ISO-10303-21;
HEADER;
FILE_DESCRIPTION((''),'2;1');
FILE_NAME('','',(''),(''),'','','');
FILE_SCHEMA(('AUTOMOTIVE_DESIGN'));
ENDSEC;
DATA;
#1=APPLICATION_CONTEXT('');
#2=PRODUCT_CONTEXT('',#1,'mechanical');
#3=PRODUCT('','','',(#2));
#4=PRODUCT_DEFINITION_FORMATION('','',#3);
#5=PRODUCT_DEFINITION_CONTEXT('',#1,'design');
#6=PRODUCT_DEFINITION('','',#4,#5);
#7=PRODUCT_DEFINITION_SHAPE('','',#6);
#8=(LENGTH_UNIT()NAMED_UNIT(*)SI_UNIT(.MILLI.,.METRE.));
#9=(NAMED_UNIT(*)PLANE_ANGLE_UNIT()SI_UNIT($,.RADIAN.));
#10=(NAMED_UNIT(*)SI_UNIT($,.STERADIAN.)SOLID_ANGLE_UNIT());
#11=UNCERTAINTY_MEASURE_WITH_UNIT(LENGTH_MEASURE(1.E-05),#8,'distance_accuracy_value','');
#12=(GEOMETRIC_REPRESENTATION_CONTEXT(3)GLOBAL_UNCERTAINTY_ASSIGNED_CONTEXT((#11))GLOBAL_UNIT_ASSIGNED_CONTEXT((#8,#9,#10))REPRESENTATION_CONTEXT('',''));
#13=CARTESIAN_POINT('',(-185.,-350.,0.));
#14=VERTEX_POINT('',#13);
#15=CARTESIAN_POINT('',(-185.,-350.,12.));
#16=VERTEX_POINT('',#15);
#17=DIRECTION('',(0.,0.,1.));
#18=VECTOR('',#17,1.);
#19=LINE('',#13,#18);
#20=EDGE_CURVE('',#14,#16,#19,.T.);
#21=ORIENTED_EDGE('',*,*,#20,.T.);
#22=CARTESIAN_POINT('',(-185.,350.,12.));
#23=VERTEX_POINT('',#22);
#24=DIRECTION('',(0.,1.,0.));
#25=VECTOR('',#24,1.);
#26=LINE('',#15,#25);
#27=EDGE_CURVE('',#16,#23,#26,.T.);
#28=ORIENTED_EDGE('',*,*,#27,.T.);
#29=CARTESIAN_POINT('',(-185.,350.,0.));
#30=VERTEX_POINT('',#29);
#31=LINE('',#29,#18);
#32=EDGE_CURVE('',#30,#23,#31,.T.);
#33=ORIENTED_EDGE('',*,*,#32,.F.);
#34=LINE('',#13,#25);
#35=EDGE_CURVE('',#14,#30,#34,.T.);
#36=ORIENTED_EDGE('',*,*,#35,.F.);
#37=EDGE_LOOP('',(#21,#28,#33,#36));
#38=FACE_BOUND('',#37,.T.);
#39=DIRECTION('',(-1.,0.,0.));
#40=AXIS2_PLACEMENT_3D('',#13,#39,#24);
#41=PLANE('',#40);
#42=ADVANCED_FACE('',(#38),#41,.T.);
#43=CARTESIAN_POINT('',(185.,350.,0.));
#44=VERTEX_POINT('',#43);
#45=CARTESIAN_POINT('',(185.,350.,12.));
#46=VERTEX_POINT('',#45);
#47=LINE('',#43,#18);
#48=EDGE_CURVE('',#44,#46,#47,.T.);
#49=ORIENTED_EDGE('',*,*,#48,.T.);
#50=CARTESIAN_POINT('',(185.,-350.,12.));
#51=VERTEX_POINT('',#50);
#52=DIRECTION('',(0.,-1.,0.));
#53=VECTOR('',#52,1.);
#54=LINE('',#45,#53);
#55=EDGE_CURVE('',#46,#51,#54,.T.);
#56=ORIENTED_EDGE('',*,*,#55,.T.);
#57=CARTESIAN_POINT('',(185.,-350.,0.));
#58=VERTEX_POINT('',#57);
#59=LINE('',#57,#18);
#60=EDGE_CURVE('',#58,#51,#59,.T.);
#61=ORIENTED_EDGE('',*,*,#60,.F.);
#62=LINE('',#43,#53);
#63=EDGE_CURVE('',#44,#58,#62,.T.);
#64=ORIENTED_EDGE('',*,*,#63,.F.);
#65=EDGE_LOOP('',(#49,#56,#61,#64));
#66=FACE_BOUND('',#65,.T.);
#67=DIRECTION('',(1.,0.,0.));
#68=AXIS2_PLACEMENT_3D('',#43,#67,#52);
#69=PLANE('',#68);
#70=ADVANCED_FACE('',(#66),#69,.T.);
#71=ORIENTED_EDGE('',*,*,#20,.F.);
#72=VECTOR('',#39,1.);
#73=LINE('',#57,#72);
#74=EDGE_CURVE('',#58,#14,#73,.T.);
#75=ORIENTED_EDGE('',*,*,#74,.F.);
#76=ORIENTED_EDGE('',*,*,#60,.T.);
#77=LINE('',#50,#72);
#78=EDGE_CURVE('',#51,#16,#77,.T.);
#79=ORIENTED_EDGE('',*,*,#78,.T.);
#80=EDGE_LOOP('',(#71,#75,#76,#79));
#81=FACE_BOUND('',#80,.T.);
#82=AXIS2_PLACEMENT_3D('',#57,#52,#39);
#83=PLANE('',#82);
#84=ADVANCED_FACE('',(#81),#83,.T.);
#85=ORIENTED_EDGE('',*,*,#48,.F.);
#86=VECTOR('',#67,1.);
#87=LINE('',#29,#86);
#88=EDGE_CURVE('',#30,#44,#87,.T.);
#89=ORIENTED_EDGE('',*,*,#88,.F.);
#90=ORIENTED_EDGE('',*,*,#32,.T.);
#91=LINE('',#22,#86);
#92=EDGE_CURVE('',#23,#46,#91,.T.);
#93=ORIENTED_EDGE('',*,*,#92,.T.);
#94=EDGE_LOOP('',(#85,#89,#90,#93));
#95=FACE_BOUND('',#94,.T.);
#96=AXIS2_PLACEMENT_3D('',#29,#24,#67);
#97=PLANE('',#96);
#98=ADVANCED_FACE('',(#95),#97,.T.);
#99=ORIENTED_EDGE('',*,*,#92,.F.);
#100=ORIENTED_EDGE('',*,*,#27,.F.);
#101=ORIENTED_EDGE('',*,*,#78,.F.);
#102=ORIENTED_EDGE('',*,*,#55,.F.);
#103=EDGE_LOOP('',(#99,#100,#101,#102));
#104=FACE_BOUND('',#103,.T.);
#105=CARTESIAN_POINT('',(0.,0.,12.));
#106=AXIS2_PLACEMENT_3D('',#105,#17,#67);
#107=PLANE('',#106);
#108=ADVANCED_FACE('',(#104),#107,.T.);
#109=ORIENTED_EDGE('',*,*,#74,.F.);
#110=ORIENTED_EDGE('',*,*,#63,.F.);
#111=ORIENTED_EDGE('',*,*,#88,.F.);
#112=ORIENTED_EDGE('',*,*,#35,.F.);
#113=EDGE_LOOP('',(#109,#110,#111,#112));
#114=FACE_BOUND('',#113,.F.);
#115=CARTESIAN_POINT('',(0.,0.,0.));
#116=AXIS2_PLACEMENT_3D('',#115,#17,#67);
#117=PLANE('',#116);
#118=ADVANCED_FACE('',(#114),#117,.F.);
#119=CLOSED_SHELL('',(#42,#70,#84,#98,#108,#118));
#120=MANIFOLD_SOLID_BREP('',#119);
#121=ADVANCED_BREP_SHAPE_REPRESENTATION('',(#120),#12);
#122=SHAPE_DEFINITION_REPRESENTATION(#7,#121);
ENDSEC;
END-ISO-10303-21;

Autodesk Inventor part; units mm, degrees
ref_plane "YZ Plane" through (0, 0, 0) normal (1, 0, 0) x (0, 1, 0)
ref_plane "XZ Plane" through (0, 0, 0) normal (0, 1, 0) x (-1, 0, 0)
ref_plane "XY Plane" through (0, 0, 0) normal (0, 0, 1) x (1, 0, 0)
sketch "Sketch1" plane through (0, 0, 0) normal (0, 0, 1) x (1, 0, 0)
  line L0 (185, -350) -> (-185, -350)
  line L1 (-185, -350) -> (-185, 350)
  line L2 (-185, 350) -> (185, 350)
  line L3 (185, 350) -> (185, -350)
  line L4 (185, -350) -> (-185, 350) construction
  line L5 (-185, -350) -> (185, 350) construction
  point P0 (0, 0)
  dimension "d0" = 700
  dimension "d1" = 370
extrude "Extrusion1" add sketch "Sketch1" along normal blind 12
properties part number "GBX_003.1-bottom-plate"
